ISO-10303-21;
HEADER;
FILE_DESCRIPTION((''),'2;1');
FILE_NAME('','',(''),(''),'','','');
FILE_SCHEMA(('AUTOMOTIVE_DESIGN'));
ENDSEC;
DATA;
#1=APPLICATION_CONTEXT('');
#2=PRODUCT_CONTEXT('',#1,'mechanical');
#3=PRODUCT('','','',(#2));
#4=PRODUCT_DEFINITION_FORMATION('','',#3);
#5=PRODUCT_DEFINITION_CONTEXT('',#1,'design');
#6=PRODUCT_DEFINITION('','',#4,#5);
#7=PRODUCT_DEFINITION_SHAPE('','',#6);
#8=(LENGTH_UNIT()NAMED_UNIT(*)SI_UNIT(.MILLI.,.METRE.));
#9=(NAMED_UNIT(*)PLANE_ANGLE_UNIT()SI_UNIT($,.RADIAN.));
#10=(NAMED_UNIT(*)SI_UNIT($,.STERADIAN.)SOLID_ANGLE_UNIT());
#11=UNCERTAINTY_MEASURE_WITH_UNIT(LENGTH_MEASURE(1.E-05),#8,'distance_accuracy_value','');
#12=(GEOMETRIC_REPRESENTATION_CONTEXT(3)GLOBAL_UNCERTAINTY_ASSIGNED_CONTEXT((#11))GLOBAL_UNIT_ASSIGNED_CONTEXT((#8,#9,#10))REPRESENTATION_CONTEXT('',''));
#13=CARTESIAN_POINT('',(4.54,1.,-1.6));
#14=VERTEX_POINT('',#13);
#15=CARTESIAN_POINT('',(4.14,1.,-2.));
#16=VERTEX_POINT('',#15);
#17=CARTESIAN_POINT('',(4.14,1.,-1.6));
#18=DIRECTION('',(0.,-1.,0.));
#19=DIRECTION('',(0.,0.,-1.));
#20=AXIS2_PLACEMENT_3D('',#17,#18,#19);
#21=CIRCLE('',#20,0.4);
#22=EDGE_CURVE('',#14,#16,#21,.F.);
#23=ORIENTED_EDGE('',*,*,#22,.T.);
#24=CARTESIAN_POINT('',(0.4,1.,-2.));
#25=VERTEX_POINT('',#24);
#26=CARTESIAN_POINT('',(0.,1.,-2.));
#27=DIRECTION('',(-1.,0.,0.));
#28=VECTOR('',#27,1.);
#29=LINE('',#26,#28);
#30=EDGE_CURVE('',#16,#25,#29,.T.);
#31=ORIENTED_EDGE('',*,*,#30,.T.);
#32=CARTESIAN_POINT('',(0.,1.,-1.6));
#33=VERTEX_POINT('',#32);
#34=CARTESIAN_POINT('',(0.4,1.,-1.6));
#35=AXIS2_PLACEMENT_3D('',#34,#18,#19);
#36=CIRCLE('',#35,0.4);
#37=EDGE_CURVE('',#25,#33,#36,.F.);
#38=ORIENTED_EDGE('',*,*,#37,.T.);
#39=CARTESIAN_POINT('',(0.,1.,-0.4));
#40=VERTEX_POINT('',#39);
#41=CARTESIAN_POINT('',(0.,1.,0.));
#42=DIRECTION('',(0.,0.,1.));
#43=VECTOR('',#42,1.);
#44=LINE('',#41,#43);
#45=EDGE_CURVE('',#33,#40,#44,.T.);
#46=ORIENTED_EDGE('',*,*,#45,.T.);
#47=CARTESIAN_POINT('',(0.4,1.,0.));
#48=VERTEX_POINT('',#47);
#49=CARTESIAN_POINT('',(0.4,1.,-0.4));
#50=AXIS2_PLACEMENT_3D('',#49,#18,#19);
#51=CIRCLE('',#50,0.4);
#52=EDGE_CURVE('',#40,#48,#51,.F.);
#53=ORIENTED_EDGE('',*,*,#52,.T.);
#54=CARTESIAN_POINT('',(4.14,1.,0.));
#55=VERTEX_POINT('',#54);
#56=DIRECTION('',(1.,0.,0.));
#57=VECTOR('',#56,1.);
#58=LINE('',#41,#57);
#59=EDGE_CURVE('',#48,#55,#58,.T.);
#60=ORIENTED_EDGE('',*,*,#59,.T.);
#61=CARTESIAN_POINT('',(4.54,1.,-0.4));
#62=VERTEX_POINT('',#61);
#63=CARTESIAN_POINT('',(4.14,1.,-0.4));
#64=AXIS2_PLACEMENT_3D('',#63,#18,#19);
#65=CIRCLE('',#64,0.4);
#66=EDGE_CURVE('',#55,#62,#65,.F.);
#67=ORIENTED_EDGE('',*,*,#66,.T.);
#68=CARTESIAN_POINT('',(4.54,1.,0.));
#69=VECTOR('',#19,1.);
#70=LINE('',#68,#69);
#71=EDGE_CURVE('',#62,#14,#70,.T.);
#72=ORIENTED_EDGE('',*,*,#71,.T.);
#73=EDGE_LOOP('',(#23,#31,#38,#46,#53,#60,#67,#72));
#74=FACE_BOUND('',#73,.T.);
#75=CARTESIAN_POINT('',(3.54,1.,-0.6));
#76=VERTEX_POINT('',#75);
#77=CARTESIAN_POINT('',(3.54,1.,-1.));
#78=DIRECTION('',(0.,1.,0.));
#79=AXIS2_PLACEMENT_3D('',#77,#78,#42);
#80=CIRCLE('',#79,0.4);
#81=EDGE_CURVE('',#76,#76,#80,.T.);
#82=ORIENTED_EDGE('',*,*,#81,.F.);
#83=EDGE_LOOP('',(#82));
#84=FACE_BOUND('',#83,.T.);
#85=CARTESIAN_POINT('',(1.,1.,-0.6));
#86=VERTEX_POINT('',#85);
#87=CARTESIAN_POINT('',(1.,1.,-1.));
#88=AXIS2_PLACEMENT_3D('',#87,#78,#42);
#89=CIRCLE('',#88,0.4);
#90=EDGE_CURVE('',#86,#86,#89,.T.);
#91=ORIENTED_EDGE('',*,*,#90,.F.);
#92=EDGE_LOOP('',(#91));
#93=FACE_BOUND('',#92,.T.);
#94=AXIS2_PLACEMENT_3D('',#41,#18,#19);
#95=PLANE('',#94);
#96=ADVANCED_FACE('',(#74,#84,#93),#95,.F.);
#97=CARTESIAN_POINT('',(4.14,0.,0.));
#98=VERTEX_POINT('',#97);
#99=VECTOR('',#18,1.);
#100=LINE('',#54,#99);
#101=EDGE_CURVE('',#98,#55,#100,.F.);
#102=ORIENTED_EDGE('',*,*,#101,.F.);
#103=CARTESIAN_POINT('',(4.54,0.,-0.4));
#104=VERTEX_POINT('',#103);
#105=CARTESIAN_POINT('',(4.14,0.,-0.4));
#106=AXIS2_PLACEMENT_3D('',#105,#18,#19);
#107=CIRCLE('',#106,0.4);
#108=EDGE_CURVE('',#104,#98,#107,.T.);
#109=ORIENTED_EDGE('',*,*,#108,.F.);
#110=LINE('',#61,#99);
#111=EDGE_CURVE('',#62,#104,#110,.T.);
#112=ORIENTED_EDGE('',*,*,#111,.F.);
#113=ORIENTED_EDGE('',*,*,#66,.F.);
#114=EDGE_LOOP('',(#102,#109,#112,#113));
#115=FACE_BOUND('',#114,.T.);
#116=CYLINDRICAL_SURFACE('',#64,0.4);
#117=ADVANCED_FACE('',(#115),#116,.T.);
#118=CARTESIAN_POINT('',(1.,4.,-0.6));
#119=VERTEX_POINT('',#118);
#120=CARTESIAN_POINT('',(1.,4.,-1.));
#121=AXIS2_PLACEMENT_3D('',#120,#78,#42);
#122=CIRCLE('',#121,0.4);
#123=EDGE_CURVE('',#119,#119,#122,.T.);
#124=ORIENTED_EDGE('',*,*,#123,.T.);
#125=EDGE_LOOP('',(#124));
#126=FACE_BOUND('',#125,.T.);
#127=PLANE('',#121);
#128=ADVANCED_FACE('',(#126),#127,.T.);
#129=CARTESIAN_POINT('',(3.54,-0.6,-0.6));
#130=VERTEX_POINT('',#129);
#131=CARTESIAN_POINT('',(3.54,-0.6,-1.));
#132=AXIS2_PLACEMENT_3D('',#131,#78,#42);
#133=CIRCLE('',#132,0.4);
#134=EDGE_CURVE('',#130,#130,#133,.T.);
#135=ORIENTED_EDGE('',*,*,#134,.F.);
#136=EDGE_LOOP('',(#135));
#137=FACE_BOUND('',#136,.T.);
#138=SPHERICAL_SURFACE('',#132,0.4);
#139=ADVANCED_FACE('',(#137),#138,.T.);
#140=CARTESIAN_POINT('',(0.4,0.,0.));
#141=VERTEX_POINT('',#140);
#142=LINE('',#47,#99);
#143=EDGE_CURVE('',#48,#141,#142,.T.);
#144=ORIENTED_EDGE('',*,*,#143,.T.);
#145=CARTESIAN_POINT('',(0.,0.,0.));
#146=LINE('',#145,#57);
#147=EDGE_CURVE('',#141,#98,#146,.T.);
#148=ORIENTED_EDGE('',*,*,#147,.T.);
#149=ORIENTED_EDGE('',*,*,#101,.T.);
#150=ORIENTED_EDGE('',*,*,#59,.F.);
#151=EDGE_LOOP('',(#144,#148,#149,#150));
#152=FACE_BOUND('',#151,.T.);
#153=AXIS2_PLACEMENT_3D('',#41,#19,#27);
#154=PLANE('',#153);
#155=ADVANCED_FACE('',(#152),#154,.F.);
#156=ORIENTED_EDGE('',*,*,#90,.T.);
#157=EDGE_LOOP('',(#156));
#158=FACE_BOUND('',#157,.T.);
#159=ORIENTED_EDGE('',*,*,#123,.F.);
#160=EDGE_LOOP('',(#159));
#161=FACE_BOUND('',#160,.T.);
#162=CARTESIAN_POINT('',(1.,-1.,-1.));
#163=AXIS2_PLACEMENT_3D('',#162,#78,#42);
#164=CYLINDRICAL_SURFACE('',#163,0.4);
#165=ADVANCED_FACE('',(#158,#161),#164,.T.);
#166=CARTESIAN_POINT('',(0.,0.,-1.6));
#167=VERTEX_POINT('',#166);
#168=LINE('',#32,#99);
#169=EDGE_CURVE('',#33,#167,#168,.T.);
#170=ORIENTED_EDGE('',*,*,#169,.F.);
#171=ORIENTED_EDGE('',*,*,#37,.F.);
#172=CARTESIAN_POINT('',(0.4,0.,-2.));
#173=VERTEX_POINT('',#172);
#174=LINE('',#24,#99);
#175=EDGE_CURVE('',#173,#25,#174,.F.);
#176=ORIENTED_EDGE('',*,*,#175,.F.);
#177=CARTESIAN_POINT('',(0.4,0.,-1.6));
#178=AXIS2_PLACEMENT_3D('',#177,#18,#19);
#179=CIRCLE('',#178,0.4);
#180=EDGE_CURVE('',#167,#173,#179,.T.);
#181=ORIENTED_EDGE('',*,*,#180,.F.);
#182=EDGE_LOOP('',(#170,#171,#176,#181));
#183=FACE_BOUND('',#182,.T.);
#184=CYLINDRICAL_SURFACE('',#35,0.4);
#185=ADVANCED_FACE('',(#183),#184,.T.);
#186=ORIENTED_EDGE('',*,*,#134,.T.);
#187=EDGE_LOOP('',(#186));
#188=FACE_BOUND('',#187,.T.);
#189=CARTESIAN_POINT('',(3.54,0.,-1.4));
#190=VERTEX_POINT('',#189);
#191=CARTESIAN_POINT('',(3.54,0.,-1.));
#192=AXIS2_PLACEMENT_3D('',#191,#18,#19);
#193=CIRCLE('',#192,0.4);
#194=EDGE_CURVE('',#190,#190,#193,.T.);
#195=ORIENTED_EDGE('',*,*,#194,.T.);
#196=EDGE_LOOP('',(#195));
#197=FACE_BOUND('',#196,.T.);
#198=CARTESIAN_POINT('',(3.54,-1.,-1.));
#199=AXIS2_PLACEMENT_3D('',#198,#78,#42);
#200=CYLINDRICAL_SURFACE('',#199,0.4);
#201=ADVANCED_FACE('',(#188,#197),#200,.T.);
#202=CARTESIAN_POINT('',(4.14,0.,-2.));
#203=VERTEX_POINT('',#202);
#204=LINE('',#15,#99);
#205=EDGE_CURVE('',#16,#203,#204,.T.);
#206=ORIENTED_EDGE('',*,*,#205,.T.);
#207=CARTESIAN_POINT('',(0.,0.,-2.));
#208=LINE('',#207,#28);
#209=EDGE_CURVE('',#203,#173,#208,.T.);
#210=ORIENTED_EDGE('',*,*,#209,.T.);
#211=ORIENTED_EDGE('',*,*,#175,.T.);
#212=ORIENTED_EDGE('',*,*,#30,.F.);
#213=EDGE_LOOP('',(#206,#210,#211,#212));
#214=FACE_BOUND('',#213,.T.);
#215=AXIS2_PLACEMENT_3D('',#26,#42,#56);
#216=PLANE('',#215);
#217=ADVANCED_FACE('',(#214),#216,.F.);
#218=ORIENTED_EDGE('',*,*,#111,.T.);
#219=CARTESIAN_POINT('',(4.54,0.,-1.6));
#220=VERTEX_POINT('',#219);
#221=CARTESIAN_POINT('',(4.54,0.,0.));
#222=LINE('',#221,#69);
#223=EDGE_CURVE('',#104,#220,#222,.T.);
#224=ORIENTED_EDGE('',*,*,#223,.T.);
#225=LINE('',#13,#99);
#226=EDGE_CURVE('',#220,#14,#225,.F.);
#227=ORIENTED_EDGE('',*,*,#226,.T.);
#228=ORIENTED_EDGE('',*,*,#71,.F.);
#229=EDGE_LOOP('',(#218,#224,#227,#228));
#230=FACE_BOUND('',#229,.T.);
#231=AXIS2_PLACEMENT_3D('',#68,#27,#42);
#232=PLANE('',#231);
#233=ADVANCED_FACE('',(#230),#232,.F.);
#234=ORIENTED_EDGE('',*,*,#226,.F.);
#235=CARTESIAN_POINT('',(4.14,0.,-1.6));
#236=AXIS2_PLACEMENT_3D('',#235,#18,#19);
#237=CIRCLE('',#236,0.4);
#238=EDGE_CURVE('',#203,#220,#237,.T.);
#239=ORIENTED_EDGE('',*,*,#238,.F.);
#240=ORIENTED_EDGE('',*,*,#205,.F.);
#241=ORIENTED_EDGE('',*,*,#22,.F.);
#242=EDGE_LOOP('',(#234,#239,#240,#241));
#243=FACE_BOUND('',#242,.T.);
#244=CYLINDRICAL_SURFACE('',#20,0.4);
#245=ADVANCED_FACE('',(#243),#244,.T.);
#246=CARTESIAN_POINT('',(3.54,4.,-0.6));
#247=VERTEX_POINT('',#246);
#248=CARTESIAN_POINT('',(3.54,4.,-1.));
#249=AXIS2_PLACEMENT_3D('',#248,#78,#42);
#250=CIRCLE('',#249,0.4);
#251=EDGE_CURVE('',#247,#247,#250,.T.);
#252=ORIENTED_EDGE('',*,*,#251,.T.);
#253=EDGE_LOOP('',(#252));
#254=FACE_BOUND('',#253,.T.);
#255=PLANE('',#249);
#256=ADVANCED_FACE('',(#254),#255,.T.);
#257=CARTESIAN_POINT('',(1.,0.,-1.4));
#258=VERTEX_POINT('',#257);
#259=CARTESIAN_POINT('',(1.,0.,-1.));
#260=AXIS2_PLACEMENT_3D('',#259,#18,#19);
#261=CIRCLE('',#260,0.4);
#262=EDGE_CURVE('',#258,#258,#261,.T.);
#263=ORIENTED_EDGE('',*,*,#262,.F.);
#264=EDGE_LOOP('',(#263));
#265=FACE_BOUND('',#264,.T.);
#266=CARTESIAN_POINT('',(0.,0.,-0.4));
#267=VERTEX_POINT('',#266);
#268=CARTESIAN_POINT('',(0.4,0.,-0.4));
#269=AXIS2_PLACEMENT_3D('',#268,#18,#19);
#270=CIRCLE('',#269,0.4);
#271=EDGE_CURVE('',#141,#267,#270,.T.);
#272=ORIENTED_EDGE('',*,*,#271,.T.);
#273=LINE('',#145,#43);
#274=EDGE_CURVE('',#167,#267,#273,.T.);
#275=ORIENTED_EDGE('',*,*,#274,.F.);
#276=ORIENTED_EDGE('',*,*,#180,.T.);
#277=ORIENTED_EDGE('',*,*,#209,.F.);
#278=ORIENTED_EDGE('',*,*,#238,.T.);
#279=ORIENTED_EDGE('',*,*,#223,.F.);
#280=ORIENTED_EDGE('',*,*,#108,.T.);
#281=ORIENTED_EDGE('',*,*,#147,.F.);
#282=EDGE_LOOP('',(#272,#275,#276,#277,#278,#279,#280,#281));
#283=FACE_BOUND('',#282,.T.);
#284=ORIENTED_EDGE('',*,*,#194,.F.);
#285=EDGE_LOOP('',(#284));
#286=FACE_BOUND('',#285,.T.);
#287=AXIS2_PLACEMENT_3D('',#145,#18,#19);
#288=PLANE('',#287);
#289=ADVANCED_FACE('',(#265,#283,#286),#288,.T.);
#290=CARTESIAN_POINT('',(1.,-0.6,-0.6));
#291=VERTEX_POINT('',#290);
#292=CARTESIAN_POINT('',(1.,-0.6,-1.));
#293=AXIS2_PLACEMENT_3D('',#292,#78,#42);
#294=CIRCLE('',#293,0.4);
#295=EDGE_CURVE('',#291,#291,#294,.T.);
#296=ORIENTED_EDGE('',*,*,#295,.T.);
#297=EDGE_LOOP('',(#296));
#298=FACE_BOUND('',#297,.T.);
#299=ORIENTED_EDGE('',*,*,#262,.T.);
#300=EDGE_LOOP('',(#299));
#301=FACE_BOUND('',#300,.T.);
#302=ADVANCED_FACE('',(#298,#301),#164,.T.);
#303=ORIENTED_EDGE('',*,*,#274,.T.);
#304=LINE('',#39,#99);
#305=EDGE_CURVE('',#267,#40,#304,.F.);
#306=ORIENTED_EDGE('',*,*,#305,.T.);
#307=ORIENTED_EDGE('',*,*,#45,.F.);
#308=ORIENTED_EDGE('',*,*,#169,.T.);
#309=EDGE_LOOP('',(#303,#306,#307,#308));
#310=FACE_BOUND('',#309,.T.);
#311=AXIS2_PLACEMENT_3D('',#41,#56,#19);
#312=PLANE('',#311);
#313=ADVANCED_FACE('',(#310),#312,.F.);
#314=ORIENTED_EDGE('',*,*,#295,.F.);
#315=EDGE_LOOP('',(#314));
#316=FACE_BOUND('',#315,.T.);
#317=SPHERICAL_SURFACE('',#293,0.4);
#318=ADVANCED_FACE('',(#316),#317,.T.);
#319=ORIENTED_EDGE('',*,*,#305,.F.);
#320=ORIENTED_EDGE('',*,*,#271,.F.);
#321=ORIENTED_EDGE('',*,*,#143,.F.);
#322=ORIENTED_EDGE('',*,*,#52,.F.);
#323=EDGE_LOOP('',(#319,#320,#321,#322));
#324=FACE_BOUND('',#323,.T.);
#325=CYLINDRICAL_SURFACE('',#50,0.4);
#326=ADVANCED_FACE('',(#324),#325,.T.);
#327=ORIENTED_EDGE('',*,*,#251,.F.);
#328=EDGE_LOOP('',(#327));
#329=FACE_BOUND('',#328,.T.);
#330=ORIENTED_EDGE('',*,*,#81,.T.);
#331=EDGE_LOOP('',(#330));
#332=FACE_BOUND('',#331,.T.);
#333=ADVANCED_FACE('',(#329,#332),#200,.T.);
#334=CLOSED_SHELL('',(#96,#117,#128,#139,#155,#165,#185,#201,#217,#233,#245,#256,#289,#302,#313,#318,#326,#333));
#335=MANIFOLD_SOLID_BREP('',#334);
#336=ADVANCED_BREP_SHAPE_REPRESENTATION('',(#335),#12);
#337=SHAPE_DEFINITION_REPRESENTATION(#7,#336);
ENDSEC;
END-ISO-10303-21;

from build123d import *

# Parameters (mm, degrees)
SKETCH1_W                = 4.54
SKETCH1_H                = 2
SKETCH1_R                = 0.4
BOSS_EXTRUDE1_DEPTH      = 1
FILLET2_R                = 0.4
BOSS_EXTRUDE2_DEPTH      = 3
BOSS_EXTRUDE2_DEPTH_BACK = 2
SKETCH2_R                = 0.4
FILLET1_R                = 0.4


with BuildPart() as part:
    # Sketch1 → Boss-Extrude1 (new body)
    with BuildSketch(Plane(origin=(0, 0, 0), x_dir=(1, 0, 0), z_dir=(0, 1, 0))):
        with Locations((2.27, 1)):
            Rectangle(SKETCH1_W, SKETCH1_H)
        with Locations(Location((1, 1, 0), (0, 0, 270))):
            Circle(SKETCH1_R, mode=Mode.SUBTRACT)
        with Locations(Location((3.54, 1, 0), (0, 0, 270))):
            Circle(SKETCH1_R, mode=Mode.SUBTRACT)
    extrude(amount=BOSS_EXTRUDE1_DEPTH)

    # Fillet2
    fillet2_edges = [part.edges().sort_by_distance(p)[0] for p in [
        (0, 0.5, -2),
        (4.54, 0.5, -2),
        (4.54, 0.5, 0),
        (0, 0.5, 0),
    ]]
    fillet(fillet2_edges, radius=FILLET2_R)

    # Sketch2 → Boss-Extrude2 (add, two sides: drawn at the far end of the back side and taken through both)
    with BuildSketch(Plane(origin=(0, 1, 0), x_dir=(1, 0, 0), z_dir=(0, 1, 0)).offset(-BOSS_EXTRUDE2_DEPTH_BACK)):
        with Locations(Location((1, 1, 0), (0, 0, 270))):
            Circle(SKETCH2_R)
        with Locations(Location((3.54, 1, 0), (0, 0, 270))):
            Circle(SKETCH2_R)
    extrude(amount=BOSS_EXTRUDE2_DEPTH + BOSS_EXTRUDE2_DEPTH_BACK)

    # Fillet1
    fillet1_edges = [part.edges().sort_by_distance(p)[0] for p in [
        (1, -1, -1.4),
        (3.54, -1, -1.4),
    ]]
    fillet(fillet1_edges, radius=FILLET1_R)


solid = part.part
